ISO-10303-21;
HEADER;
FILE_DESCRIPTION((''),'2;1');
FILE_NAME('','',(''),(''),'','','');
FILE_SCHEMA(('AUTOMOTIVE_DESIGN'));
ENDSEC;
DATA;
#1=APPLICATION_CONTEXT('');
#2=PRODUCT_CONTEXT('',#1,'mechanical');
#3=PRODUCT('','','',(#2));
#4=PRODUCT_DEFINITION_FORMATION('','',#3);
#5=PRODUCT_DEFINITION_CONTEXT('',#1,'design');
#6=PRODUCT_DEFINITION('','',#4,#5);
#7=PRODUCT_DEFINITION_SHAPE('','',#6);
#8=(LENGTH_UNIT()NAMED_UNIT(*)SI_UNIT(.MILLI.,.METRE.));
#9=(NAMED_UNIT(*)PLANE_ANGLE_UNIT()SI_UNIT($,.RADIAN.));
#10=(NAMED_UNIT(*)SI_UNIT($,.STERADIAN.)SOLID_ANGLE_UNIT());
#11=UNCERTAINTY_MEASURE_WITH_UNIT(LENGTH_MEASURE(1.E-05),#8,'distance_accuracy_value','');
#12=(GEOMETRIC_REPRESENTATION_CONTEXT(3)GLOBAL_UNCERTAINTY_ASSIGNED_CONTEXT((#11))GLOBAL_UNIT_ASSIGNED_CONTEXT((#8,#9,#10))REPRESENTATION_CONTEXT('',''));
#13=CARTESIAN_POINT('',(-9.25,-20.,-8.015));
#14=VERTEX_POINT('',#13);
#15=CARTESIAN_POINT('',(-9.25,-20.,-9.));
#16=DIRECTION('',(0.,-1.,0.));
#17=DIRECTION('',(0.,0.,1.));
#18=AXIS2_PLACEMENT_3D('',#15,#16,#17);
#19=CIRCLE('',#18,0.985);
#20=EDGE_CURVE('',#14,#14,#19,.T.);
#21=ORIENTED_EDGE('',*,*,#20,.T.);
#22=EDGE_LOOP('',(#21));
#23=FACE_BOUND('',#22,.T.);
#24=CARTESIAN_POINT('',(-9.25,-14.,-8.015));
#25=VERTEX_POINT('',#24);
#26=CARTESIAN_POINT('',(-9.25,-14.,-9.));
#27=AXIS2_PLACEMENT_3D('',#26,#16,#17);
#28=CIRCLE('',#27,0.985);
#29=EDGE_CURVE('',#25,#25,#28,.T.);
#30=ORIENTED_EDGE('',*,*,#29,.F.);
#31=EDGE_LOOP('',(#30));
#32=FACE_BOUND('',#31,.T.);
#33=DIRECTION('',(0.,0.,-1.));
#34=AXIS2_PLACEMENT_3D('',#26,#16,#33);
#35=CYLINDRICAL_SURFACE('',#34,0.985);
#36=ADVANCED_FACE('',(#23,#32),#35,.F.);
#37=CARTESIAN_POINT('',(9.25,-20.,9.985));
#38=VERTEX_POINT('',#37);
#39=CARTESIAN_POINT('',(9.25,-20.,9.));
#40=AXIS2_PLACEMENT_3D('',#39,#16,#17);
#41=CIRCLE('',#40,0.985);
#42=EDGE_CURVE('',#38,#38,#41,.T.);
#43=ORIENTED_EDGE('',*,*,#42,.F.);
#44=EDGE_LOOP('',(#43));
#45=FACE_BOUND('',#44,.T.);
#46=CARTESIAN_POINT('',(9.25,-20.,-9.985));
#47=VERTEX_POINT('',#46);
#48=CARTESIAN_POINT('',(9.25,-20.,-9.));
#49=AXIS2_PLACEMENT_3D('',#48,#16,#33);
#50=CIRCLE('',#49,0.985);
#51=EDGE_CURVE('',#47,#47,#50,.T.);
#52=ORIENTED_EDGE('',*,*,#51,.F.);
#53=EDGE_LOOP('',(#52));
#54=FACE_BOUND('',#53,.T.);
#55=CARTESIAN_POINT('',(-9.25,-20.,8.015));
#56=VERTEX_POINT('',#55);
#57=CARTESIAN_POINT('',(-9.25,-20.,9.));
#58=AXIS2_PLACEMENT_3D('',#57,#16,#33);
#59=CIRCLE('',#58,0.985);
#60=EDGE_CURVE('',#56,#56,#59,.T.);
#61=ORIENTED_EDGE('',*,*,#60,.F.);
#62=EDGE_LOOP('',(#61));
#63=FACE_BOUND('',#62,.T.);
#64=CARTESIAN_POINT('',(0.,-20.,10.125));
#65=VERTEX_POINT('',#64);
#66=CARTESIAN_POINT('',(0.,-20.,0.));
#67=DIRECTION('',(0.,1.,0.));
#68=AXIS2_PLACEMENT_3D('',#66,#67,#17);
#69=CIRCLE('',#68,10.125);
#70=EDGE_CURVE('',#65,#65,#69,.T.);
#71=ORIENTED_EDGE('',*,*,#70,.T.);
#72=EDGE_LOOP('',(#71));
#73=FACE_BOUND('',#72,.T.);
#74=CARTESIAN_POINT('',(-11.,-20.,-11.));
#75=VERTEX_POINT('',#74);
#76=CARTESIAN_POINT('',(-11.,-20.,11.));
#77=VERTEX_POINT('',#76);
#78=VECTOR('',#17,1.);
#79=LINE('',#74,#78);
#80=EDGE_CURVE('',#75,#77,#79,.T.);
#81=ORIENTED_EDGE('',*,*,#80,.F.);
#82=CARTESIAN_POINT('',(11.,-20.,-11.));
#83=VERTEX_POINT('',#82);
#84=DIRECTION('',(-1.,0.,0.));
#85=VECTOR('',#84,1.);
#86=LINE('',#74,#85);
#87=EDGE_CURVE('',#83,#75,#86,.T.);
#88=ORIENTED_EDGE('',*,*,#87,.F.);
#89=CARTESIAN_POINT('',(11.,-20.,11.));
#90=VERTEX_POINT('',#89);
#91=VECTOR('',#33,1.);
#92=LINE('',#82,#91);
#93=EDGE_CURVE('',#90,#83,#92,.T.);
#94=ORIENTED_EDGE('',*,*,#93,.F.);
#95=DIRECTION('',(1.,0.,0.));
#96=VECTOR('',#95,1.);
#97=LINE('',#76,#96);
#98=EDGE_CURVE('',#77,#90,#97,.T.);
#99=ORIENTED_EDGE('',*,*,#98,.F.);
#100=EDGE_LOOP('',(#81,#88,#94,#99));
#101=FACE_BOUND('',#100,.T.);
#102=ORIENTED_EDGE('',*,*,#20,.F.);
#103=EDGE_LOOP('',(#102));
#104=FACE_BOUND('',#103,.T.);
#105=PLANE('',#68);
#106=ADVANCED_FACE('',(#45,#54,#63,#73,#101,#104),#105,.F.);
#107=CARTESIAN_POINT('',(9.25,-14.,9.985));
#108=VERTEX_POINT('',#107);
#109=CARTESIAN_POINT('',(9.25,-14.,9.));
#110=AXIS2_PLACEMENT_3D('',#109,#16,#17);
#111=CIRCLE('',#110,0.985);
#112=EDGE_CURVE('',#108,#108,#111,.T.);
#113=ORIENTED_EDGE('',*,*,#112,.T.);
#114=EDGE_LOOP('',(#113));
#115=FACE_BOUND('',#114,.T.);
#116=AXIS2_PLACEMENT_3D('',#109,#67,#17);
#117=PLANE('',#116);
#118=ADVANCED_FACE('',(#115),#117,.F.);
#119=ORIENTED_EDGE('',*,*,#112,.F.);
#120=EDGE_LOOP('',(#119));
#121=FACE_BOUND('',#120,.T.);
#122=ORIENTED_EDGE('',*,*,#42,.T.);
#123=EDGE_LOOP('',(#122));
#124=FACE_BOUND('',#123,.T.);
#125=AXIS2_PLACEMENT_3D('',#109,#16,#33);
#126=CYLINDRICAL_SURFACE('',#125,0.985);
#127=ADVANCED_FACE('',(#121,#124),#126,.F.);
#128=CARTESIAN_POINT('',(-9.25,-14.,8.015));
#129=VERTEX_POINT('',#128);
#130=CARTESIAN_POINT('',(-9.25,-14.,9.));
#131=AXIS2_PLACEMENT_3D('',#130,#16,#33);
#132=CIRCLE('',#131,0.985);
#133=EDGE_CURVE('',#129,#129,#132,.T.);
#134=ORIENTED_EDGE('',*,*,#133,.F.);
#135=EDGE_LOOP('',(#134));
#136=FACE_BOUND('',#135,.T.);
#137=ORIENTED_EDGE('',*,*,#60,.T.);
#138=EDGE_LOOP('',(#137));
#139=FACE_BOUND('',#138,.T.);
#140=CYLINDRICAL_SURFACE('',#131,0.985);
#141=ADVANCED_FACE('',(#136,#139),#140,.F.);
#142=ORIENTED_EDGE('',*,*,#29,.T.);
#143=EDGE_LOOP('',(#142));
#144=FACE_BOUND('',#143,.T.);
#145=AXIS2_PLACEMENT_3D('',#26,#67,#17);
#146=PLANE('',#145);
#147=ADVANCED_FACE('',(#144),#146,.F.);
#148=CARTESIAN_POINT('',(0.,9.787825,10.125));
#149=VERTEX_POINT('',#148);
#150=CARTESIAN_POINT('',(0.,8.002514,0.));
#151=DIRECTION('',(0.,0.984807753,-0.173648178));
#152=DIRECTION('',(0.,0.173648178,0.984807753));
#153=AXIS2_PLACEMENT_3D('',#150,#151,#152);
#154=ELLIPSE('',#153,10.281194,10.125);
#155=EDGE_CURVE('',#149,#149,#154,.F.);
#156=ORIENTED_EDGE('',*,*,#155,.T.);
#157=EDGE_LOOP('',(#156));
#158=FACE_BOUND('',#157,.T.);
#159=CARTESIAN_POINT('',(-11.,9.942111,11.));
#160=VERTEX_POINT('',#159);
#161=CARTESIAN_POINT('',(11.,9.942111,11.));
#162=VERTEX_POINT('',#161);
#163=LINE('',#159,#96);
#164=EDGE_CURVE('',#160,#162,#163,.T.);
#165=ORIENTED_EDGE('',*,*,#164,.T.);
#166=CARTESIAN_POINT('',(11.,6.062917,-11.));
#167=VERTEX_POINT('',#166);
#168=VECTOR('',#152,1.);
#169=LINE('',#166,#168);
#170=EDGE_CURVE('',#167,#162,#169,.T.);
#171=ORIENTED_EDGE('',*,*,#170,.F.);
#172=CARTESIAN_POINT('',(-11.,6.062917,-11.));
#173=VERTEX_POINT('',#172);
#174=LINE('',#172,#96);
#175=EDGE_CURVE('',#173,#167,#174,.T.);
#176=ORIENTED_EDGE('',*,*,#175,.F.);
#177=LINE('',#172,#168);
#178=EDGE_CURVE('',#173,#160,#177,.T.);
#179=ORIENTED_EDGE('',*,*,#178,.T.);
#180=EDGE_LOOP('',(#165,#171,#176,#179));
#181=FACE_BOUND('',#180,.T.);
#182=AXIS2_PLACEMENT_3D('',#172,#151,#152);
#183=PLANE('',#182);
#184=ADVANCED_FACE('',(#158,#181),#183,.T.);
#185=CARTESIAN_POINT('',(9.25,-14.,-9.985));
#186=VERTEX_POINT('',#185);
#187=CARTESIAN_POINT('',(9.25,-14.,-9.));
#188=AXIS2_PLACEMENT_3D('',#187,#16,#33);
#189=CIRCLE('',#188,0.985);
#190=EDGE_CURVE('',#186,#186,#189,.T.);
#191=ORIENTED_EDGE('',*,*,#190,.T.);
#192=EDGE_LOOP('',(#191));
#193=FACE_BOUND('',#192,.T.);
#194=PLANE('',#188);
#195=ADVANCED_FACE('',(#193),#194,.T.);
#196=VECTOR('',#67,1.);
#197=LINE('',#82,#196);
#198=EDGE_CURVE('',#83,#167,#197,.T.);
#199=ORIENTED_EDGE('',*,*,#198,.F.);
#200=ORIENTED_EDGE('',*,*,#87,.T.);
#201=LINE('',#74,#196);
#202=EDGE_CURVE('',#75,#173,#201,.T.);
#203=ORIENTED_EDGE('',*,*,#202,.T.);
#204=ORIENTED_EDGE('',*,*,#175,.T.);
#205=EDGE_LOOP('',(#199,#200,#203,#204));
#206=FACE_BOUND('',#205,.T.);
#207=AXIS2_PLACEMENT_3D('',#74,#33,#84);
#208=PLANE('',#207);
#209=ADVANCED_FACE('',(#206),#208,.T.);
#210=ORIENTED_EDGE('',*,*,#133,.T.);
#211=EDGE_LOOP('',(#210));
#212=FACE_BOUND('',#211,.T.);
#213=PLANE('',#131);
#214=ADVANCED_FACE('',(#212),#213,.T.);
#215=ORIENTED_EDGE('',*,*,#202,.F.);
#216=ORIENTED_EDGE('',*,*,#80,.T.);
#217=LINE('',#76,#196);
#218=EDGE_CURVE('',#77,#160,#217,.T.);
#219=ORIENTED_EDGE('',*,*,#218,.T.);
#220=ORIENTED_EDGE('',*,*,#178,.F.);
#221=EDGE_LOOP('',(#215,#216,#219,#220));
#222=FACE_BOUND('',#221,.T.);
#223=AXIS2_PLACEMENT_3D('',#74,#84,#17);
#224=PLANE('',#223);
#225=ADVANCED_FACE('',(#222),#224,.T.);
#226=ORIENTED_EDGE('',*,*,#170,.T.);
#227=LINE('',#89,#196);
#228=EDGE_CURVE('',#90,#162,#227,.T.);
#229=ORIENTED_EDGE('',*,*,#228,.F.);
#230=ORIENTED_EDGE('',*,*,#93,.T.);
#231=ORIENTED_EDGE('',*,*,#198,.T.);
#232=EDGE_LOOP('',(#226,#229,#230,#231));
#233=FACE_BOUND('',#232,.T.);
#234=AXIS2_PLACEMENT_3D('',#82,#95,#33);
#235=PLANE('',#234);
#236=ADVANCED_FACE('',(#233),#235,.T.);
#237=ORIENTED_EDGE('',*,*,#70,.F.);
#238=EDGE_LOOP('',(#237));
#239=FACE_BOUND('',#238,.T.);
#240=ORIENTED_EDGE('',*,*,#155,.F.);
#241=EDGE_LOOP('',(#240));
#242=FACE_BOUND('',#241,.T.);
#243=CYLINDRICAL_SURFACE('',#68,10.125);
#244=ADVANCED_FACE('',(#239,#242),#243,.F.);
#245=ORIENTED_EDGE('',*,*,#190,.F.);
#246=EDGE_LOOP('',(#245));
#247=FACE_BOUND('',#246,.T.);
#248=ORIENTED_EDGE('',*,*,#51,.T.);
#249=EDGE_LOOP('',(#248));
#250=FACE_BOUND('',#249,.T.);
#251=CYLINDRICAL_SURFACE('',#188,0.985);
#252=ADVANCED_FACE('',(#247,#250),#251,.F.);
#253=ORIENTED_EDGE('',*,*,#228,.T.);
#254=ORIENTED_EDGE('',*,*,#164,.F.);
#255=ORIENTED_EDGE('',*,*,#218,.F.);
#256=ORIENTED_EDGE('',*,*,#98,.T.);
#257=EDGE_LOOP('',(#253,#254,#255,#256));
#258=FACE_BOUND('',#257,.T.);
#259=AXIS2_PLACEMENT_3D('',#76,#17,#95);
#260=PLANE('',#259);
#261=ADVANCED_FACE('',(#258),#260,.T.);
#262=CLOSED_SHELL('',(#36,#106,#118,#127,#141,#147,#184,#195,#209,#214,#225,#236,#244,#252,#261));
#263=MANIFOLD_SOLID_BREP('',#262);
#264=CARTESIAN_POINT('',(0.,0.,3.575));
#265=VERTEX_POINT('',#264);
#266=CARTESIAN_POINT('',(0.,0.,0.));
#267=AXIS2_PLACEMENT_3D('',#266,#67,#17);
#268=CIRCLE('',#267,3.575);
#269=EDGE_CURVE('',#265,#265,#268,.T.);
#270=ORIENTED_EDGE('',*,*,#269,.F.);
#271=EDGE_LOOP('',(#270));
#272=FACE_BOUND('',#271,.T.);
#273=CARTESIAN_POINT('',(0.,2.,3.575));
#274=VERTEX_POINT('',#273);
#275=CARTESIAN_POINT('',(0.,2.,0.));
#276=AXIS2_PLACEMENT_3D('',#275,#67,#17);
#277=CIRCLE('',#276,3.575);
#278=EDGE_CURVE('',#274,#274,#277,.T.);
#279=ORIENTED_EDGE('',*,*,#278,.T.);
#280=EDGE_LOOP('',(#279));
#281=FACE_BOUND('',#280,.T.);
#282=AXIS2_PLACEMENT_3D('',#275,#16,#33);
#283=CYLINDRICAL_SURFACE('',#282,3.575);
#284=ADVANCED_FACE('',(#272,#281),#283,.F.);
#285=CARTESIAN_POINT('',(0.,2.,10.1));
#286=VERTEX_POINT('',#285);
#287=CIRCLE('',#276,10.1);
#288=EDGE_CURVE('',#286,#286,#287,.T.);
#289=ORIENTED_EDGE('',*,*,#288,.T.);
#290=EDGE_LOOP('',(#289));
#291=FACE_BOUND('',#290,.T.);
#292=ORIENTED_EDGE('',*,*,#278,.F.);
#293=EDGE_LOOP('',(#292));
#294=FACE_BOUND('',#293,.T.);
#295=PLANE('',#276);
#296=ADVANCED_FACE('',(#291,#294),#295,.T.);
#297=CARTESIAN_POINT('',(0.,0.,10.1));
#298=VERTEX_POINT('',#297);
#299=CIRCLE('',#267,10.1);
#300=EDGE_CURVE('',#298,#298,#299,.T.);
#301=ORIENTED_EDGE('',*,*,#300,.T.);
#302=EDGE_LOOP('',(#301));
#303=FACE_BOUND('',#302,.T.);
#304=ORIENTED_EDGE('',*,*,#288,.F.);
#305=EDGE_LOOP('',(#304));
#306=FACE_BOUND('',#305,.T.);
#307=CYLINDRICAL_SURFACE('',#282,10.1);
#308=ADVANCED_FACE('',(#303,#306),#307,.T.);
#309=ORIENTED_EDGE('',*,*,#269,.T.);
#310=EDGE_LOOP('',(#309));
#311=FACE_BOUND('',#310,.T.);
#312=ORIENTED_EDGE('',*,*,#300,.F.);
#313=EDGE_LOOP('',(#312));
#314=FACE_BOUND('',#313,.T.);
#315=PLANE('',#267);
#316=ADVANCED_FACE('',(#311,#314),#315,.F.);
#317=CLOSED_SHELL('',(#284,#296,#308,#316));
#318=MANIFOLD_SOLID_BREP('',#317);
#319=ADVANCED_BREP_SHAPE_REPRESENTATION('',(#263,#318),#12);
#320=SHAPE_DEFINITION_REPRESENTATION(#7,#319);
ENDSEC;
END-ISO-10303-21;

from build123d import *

# Parameters (mm, degrees)
SKETCH2_R                = 10.1
SKETCH2_R_2              = 3.575
BOSS_EXTRUDE1_DEPTH      = 2
SKETCH3_W                = 22
SKETCH3_H                = 22
SKETCH3_R                = 10.125
BOSS_EXTRUDE2_DEPTH      = 8
BOSS_EXTRUDE2_DEPTH_BACK = 22
SKETCH5_R                = 0.985
CUT_EXTRUDE2_DEPTH       = 6
CUT_EXTRUDE3_DEPTH       = 23


with BuildPart() as part:
    # Sketch2 → Boss-Extrude1 (new body)
    with BuildSketch(Plane(origin=(0, 0, 0), x_dir=(1, 0, 0), z_dir=(0, 1, 0))):
        Circle(SKETCH2_R)
        Circle(SKETCH2_R_2, mode=Mode.SUBTRACT)
    extrude(amount=BOSS_EXTRUDE1_DEPTH)


with BuildPart() as body_2:
    # Sketch3 → Boss-Extrude2 (new body, two sides)
    with BuildSketch(Plane(origin=(0, 2, 0), x_dir=(1, 0, 0), z_dir=(0, 1, 0))) as boss_extrude2_sk:
        Rectangle(SKETCH3_W, SKETCH3_H)
        Circle(SKETCH3_R, mode=Mode.SUBTRACT)
    extrude(amount=BOSS_EXTRUDE2_DEPTH)
    extrude(boss_extrude2_sk.sketch, amount=-BOSS_EXTRUDE2_DEPTH_BACK)

    # Sketch5 → Cut-Extrude2 (cut)
    with BuildSketch(Plane(origin=(0, -20, 0), x_dir=(-1, 0, 0), z_dir=(0, -1, 0))):
        with Locations((9.25, -9)):
            Circle(SKETCH5_R)
        with Locations((9.25, 9)):
            Circle(SKETCH5_R)
        with Locations((-9.25, 9)):
            Circle(SKETCH5_R)
        with Locations((-9.25, -9)):
            Circle(SKETCH5_R)
    extrude(amount=-CUT_EXTRUDE2_DEPTH, mode=Mode.SUBTRACT)

    # Sketch6 → Cut-Extrude3 (cut, through all)
    with BuildSketch(Plane(origin=(11, 0, 0), x_dir=(0, 0, -1), z_dir=(1, 0, 0))):
        Polygon((11, 6.06291723), (-11, 9.942110806), (-11, 10), (11, 10), align=None)
    extrude(amount=-CUT_EXTRUDE3_DEPTH, mode=Mode.SUBTRACT)


solid = Compound([part.part, body_2.part])
